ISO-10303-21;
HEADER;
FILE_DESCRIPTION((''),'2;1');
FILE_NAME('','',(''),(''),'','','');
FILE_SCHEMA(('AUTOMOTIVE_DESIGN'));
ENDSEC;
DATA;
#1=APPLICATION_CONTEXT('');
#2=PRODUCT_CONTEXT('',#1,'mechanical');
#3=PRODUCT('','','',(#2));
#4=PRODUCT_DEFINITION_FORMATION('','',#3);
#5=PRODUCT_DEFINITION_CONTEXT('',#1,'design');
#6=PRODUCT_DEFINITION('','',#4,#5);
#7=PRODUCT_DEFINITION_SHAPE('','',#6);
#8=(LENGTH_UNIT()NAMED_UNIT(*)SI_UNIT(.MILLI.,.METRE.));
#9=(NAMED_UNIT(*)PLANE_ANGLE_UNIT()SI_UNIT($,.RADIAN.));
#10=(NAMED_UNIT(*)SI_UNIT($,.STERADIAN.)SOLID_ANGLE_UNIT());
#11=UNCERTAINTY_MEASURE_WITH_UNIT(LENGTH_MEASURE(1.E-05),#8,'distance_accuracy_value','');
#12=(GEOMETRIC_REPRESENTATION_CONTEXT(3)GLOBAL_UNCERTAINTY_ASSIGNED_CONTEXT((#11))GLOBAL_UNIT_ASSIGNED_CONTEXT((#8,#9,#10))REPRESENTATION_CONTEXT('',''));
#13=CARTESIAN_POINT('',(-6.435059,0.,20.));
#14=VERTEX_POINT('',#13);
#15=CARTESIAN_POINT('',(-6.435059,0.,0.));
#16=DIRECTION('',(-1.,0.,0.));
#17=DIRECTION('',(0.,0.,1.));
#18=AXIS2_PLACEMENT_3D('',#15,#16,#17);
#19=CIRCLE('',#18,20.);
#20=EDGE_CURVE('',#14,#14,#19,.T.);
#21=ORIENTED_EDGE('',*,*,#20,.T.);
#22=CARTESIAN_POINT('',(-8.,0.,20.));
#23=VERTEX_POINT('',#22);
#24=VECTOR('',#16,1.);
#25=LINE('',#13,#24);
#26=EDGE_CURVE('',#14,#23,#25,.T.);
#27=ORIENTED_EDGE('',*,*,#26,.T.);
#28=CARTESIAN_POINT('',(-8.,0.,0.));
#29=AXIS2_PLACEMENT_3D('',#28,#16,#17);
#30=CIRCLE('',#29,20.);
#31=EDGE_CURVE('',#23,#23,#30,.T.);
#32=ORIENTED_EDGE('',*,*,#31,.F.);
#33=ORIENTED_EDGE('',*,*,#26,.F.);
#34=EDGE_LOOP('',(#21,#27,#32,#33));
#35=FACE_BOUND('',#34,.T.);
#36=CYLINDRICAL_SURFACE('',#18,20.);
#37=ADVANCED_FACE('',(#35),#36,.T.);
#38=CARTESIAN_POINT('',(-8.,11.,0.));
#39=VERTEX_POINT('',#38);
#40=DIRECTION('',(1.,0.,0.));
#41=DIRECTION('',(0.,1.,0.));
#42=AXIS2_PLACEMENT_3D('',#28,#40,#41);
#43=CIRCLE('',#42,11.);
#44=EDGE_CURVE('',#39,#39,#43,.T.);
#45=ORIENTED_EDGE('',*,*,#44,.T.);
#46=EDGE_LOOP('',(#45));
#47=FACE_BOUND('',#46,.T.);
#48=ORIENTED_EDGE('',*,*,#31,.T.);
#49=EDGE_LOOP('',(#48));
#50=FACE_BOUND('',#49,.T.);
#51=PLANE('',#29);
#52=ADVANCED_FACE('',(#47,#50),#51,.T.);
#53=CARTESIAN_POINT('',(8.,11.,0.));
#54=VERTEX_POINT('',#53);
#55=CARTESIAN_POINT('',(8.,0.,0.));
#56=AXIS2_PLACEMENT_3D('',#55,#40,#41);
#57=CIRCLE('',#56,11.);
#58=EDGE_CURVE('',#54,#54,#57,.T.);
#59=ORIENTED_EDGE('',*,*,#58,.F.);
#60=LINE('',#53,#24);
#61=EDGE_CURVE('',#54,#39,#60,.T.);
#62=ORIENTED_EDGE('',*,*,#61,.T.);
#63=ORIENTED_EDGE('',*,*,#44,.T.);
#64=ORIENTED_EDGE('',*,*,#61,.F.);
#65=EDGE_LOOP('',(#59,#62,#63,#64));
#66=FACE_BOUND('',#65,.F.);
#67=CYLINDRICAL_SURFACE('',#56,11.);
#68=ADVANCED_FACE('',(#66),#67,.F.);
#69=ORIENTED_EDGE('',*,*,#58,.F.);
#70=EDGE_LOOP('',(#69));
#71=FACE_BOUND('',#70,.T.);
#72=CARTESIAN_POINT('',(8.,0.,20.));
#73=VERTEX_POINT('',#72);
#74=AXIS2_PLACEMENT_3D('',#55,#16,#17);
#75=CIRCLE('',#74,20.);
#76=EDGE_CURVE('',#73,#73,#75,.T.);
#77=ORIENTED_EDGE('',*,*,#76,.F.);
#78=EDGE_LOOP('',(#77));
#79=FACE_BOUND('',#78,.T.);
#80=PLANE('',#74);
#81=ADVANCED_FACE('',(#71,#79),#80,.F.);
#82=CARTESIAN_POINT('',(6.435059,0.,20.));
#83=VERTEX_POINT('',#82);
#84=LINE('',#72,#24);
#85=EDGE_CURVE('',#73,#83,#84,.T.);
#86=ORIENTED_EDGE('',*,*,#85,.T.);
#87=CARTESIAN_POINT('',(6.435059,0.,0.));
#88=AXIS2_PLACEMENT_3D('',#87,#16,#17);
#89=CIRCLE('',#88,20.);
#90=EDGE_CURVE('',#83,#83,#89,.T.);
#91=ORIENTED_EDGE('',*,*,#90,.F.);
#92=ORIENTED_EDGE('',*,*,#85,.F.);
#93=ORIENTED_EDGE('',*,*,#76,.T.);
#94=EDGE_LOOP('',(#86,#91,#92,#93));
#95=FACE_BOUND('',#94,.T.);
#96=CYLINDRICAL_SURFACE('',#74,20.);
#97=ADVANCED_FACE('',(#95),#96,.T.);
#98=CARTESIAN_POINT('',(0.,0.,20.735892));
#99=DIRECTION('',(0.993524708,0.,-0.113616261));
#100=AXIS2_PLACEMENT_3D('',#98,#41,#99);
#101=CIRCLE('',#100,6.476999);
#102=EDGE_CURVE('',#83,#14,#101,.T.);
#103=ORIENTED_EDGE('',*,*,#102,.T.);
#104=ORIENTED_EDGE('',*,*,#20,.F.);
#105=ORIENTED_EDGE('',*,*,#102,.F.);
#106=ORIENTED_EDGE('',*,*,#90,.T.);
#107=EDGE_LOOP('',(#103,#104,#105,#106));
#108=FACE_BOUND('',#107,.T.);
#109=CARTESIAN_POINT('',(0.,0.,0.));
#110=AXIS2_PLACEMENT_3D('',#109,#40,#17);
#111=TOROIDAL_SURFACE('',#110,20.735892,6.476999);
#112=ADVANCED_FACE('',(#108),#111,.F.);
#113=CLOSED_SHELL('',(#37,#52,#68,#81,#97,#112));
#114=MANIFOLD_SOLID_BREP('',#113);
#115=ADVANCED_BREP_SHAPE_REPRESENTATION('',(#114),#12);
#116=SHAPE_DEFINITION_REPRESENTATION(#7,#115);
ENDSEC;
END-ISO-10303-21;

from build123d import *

# Parameters (mm, degrees)
F2_R     = 11
F3_DEPTH = 16.001


with BuildPart() as f1:
    # F0 (on Front) → F1 (revolve)
    with BuildSketch(Plane.XZ):
        with BuildLine():
            Line((-8, 0), (0, 0))
            Line((0, 0), (8, 0))
            Line((8, 0), (8, 20))
            Line((8, 20), (6.435059, 20))
            ThreePointArc((6.435059, 20), (0, 14.258893), (-6.435059, 20))
            Line((-6.435059, 20), (-8, 20))
            Line((-8, 20), (-8, 0))
        make_face()
    revolve(axis=Axis((-1.880259, 0, 0), (-1, 0, 0)))

    # F2 (on face) → F3 (cut, through all)
    with BuildSketch(Plane.YZ.offset(8)):
        Circle(F2_R)
    extrude(amount=-F3_DEPTH, mode=Mode.SUBTRACT)


solid = f1.part
